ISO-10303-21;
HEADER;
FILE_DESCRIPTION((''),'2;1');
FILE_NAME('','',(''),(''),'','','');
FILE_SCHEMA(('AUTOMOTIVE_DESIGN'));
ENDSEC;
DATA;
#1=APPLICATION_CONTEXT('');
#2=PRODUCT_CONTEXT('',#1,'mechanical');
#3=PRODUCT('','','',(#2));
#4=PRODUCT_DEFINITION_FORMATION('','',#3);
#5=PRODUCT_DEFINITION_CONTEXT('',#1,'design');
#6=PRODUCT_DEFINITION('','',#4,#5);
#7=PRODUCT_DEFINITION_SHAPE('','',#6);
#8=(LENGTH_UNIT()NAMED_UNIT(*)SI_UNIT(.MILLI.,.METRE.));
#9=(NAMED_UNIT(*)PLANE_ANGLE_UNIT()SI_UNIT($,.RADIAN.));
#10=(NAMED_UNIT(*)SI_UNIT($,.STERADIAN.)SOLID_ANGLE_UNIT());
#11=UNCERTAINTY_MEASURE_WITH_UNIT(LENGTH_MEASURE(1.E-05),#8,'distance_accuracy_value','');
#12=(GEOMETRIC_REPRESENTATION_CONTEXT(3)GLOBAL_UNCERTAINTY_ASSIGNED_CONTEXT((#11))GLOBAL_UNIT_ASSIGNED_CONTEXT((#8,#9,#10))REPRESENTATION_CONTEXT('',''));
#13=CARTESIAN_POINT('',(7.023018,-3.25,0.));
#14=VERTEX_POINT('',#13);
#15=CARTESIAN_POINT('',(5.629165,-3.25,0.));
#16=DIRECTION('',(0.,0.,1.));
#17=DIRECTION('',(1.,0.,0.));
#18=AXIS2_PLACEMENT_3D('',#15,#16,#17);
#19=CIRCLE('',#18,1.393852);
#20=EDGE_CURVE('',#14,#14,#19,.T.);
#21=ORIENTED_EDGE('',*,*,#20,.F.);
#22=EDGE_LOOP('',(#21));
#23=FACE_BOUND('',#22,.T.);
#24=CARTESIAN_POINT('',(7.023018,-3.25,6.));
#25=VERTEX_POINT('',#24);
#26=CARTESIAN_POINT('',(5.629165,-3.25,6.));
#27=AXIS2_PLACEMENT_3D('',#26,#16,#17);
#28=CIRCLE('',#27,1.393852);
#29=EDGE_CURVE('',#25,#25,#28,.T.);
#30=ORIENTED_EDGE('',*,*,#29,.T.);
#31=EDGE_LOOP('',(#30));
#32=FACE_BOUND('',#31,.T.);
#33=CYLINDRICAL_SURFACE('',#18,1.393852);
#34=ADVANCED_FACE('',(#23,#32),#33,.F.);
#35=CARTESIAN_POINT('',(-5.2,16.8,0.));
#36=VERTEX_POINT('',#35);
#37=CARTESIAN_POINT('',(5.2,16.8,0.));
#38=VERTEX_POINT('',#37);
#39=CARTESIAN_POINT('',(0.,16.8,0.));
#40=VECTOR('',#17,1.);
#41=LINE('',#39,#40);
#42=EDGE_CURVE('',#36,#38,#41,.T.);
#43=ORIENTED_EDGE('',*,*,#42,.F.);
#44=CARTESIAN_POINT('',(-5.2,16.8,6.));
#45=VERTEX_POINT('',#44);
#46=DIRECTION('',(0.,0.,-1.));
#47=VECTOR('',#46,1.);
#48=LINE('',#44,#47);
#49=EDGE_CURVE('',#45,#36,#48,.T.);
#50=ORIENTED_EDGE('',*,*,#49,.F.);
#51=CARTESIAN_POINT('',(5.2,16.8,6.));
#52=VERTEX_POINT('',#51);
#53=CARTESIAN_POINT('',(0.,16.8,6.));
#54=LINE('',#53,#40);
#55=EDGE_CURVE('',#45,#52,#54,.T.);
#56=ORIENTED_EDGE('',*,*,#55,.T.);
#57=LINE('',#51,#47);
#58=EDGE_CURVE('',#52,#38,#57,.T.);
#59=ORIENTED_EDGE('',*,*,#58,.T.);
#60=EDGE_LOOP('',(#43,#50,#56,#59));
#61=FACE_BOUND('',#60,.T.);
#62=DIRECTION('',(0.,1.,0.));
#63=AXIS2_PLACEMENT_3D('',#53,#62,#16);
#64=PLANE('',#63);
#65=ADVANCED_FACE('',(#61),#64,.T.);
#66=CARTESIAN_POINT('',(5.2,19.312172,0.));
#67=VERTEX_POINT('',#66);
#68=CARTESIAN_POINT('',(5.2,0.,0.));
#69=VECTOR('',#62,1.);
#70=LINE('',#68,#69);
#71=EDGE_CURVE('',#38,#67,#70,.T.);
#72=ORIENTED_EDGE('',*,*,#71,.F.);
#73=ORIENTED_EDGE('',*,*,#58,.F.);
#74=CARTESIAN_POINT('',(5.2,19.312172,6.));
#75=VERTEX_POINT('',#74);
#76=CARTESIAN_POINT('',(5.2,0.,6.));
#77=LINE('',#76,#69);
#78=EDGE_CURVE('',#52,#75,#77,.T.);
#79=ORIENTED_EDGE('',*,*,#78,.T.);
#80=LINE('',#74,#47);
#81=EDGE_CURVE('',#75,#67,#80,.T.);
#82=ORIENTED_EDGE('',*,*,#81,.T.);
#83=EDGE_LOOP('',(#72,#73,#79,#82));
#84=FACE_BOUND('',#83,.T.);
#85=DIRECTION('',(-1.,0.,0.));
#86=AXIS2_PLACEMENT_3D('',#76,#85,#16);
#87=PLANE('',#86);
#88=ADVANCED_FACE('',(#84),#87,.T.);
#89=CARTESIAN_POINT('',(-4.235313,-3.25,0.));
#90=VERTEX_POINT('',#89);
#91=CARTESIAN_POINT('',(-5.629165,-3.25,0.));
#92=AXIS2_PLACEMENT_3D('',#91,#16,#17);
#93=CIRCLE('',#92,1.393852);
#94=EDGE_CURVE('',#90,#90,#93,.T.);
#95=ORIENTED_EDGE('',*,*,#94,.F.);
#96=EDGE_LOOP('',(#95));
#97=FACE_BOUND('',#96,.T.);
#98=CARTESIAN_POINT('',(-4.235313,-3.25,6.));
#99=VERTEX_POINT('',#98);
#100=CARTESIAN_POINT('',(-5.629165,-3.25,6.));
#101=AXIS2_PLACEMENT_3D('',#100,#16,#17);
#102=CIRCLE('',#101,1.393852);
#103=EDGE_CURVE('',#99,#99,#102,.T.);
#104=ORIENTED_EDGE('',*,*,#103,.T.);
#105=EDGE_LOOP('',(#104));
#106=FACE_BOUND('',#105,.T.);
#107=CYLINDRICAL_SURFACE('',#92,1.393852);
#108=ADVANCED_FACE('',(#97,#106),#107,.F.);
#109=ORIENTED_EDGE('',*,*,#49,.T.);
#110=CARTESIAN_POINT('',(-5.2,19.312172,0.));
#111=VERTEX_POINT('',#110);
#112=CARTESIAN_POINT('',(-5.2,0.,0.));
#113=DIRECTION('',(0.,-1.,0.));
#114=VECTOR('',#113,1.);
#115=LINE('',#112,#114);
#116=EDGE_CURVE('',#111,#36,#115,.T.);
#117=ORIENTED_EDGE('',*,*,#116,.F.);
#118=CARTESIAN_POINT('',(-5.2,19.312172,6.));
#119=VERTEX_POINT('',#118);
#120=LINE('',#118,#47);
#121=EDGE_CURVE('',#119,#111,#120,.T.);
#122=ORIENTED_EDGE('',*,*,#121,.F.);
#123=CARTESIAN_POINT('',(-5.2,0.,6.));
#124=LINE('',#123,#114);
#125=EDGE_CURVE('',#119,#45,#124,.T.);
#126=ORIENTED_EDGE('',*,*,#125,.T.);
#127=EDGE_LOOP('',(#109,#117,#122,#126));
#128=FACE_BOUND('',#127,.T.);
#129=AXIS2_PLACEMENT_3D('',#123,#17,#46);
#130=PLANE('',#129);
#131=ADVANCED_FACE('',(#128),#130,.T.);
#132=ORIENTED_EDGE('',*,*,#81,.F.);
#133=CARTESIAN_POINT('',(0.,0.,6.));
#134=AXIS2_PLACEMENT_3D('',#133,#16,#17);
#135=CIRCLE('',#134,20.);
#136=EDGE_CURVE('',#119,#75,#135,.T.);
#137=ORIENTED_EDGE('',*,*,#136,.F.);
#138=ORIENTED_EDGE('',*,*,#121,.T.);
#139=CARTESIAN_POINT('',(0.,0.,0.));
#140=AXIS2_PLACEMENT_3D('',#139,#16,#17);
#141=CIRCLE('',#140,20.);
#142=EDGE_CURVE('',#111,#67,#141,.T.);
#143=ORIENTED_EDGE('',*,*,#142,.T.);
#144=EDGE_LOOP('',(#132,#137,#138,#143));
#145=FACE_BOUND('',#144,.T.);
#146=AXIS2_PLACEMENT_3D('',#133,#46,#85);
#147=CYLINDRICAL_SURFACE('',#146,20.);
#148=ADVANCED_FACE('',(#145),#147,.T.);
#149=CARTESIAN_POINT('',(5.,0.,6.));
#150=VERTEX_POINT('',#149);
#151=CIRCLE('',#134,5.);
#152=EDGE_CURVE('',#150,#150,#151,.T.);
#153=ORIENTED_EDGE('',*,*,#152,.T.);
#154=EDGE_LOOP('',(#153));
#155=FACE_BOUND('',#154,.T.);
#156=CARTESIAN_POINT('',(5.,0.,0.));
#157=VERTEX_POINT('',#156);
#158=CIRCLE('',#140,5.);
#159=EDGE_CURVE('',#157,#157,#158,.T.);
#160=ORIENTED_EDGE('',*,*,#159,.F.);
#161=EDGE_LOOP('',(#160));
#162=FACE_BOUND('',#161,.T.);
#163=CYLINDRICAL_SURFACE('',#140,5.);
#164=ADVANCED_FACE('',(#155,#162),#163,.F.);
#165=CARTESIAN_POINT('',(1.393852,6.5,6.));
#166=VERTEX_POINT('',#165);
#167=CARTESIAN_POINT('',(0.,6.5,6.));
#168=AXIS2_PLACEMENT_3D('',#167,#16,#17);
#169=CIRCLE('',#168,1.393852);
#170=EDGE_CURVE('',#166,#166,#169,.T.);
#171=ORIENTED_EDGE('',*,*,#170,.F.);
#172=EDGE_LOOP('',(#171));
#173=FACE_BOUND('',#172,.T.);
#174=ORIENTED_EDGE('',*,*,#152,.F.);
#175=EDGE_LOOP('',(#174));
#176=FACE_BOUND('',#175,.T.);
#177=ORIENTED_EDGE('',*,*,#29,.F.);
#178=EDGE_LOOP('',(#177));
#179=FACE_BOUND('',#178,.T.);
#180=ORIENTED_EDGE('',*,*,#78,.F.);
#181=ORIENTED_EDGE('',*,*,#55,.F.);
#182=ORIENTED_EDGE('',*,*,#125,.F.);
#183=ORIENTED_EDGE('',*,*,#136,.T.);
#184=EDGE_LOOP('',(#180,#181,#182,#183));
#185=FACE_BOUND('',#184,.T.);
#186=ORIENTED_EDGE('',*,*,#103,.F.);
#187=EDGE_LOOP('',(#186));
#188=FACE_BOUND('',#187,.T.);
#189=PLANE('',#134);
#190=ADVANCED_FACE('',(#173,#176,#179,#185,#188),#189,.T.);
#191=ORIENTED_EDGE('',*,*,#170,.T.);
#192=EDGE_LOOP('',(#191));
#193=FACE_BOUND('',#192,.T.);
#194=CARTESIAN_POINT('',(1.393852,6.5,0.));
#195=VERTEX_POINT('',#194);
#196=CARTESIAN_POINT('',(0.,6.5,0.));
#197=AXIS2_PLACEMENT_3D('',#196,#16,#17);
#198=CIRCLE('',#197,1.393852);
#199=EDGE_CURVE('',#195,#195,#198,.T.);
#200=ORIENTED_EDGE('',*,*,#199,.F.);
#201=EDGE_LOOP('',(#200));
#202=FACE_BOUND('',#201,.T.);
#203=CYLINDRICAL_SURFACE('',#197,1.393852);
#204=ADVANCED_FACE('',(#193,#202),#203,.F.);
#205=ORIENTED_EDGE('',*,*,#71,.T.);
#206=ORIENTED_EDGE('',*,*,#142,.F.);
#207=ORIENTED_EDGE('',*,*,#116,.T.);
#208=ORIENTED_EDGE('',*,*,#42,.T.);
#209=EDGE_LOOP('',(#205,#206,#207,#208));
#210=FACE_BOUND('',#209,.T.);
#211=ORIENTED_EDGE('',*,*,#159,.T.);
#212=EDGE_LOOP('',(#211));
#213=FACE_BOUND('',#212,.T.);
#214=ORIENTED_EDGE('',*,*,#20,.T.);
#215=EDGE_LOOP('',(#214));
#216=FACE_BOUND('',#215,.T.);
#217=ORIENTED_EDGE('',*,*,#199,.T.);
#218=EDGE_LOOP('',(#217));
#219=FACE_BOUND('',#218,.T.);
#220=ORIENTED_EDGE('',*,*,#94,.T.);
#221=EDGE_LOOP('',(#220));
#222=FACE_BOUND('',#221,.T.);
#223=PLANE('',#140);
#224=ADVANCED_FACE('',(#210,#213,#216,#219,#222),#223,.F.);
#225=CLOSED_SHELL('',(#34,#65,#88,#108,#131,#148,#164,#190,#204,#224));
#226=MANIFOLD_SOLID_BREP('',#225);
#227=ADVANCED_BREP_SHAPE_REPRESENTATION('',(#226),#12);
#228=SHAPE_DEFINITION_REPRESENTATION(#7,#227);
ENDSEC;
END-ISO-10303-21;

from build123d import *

# Parameters (mm, degrees)
ESQUISSE1_R             = 20
BOSS_EXTRU_1_DEPTH      = 6
ESQUISSE2_R             = 5
ENL_V_MAT_EXTRU_1_DEPTH = 29.91366459
ESQUISSE3_R             = 1.393852397
ENL_V_MAT_EXTRU_2_DEPTH = 29.91366459
ENL_V_MAT_EXTRU_3_DEPTH = 29.91366459


with BuildPart() as part:
    # Esquisse1 → Boss.-Extru.1 (new body)
    with BuildSketch(Plane.XY):
        Circle(ESQUISSE1_R)
    extrude(amount=BOSS_EXTRU_1_DEPTH)

    # Esquisse2 → Enlèv. mat.-Extru.1 (cut, through all)
    with BuildSketch(Plane.XY.offset(6)):
        Circle(ESQUISSE2_R)
    extrude(amount=-ENL_V_MAT_EXTRU_1_DEPTH, mode=Mode.SUBTRACT)

    # Esquisse3 → Enlèv. mat.-Extru.2 (cut, through all)
    with BuildSketch(Plane.XY.offset(6)):
        with Locations((0, 6.5)):
            Circle(ESQUISSE3_R)
        with Locations((5.629165125, -3.25)):
            Circle(ESQUISSE3_R)
        with Locations((-5.629165125, -3.25)):
            Circle(ESQUISSE3_R)
    extrude(amount=-ENL_V_MAT_EXTRU_2_DEPTH, mode=Mode.SUBTRACT)

    # Esquisse4 → Enlèv. mat.-Extru.3 (cut, through all)
    with BuildSketch(Plane(origin=(0, 0, 0), x_dir=(-1, 0, 0), z_dir=(0, 0, -1))):
        with BuildLine():
            Line((5.2, 16.80000003), (5.2, 19.312172327))
            ThreePointArc((5.2, 19.312172327), (0, 20), (-5.2, 19.312172327))
            Line((-5.2, 19.312172327), (-5.2, 16.80000003))
            Line((-5.2, 16.80000003), (5.2, 16.80000003))
        make_face()
    extrude(amount=-ENL_V_MAT_EXTRU_3_DEPTH, mode=Mode.SUBTRACT)


solid = part.part
